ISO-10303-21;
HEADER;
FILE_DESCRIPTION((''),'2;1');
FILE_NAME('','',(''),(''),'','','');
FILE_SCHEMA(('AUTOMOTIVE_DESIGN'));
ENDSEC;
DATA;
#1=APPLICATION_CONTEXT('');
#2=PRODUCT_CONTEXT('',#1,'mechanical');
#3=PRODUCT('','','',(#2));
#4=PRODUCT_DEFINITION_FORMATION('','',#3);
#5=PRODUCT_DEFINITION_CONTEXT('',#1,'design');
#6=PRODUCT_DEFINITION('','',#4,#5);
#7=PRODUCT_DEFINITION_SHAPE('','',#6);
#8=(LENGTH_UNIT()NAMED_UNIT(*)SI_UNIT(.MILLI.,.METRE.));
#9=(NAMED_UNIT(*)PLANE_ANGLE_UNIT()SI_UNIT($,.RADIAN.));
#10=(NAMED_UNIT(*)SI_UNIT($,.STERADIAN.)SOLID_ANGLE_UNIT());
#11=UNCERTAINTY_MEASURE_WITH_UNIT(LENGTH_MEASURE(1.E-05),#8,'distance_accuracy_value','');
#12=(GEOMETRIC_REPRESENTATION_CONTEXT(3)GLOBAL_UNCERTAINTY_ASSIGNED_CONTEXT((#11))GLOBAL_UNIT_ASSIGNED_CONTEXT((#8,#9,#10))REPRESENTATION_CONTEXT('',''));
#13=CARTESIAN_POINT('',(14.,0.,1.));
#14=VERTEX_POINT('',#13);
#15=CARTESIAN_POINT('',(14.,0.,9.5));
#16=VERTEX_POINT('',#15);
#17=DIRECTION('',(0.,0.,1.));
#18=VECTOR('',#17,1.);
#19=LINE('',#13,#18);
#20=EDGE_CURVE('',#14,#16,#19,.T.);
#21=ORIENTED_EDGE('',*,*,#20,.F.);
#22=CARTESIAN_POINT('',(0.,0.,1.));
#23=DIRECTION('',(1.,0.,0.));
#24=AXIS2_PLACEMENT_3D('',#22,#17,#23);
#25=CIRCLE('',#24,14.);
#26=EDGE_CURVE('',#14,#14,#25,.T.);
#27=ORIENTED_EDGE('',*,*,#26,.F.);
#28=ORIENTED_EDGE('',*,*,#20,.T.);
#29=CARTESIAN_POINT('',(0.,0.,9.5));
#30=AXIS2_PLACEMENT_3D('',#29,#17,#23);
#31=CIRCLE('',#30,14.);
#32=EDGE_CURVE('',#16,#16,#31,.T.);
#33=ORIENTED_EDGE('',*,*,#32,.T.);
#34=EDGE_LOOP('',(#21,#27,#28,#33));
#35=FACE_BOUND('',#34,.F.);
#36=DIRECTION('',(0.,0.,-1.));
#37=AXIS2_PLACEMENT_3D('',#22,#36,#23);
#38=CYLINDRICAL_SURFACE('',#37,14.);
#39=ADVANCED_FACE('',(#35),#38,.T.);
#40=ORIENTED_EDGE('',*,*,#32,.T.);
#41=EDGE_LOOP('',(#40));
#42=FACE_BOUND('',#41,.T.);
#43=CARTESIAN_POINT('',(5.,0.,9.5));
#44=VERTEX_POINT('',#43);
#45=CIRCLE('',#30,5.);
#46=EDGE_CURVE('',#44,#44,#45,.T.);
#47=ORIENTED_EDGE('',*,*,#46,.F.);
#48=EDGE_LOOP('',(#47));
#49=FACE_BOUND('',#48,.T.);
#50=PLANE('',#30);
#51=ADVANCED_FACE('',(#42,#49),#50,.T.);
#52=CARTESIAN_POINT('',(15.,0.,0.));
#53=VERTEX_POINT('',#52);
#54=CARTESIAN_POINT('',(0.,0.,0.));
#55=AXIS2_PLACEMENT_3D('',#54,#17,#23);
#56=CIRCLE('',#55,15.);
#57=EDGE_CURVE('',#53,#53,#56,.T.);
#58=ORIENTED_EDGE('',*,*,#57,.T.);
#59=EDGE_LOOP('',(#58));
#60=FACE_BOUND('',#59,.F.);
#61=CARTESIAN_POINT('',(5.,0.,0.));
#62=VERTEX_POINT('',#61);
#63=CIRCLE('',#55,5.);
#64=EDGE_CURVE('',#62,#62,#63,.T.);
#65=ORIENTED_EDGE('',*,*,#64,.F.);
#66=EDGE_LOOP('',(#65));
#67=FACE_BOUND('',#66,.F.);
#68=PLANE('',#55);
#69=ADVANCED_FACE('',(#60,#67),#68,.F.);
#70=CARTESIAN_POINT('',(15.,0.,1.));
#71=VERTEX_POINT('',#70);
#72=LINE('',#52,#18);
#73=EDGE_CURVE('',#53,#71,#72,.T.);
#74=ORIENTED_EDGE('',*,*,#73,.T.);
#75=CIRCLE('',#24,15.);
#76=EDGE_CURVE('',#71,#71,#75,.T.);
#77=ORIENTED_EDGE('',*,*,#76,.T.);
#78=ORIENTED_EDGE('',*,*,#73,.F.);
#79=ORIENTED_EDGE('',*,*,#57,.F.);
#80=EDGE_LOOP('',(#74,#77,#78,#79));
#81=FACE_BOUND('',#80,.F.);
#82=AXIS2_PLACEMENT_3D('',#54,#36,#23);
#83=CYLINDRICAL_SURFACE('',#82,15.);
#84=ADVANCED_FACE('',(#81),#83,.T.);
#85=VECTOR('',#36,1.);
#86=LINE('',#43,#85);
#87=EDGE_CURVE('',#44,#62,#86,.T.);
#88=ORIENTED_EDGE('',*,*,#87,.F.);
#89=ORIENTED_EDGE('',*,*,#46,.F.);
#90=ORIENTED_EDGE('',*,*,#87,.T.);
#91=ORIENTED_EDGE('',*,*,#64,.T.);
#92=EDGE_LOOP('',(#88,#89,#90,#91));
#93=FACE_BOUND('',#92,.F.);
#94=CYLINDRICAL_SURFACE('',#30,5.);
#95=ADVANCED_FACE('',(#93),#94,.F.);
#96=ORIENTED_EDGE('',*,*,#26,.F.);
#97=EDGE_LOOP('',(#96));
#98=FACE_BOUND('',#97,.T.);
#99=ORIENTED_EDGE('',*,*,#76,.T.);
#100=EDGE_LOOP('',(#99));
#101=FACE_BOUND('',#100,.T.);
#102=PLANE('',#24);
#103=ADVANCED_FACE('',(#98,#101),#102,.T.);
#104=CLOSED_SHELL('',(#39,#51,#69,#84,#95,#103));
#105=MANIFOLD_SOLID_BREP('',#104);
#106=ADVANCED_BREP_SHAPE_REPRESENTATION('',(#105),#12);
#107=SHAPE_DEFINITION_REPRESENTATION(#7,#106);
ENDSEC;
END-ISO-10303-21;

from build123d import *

# Parameters (mm, degrees)
F0_R     = 15
F1_DEPTH = 1
F2_R     = 14
F3_DEPTH = 8.5
F4_R     = 5
F5_DEPTH = 9.5


with BuildPart() as f1:
    # F0 (on Top) → F1 (new body)
    with BuildSketch(Plane.XY):
        Circle(F0_R)
    extrude(amount=F1_DEPTH)

    # F2 (on face) → F3 (join)
    with BuildSketch(Plane.XY.offset(1)):
        Circle(F2_R)
    extrude(amount=F3_DEPTH)

    # F4 (on face) → F5 (cut, through all)
    with BuildSketch(Plane.XY.offset(9.5)):
        Circle(F4_R)
    extrude(amount=-F5_DEPTH, mode=Mode.SUBTRACT)


solid = f1.part
